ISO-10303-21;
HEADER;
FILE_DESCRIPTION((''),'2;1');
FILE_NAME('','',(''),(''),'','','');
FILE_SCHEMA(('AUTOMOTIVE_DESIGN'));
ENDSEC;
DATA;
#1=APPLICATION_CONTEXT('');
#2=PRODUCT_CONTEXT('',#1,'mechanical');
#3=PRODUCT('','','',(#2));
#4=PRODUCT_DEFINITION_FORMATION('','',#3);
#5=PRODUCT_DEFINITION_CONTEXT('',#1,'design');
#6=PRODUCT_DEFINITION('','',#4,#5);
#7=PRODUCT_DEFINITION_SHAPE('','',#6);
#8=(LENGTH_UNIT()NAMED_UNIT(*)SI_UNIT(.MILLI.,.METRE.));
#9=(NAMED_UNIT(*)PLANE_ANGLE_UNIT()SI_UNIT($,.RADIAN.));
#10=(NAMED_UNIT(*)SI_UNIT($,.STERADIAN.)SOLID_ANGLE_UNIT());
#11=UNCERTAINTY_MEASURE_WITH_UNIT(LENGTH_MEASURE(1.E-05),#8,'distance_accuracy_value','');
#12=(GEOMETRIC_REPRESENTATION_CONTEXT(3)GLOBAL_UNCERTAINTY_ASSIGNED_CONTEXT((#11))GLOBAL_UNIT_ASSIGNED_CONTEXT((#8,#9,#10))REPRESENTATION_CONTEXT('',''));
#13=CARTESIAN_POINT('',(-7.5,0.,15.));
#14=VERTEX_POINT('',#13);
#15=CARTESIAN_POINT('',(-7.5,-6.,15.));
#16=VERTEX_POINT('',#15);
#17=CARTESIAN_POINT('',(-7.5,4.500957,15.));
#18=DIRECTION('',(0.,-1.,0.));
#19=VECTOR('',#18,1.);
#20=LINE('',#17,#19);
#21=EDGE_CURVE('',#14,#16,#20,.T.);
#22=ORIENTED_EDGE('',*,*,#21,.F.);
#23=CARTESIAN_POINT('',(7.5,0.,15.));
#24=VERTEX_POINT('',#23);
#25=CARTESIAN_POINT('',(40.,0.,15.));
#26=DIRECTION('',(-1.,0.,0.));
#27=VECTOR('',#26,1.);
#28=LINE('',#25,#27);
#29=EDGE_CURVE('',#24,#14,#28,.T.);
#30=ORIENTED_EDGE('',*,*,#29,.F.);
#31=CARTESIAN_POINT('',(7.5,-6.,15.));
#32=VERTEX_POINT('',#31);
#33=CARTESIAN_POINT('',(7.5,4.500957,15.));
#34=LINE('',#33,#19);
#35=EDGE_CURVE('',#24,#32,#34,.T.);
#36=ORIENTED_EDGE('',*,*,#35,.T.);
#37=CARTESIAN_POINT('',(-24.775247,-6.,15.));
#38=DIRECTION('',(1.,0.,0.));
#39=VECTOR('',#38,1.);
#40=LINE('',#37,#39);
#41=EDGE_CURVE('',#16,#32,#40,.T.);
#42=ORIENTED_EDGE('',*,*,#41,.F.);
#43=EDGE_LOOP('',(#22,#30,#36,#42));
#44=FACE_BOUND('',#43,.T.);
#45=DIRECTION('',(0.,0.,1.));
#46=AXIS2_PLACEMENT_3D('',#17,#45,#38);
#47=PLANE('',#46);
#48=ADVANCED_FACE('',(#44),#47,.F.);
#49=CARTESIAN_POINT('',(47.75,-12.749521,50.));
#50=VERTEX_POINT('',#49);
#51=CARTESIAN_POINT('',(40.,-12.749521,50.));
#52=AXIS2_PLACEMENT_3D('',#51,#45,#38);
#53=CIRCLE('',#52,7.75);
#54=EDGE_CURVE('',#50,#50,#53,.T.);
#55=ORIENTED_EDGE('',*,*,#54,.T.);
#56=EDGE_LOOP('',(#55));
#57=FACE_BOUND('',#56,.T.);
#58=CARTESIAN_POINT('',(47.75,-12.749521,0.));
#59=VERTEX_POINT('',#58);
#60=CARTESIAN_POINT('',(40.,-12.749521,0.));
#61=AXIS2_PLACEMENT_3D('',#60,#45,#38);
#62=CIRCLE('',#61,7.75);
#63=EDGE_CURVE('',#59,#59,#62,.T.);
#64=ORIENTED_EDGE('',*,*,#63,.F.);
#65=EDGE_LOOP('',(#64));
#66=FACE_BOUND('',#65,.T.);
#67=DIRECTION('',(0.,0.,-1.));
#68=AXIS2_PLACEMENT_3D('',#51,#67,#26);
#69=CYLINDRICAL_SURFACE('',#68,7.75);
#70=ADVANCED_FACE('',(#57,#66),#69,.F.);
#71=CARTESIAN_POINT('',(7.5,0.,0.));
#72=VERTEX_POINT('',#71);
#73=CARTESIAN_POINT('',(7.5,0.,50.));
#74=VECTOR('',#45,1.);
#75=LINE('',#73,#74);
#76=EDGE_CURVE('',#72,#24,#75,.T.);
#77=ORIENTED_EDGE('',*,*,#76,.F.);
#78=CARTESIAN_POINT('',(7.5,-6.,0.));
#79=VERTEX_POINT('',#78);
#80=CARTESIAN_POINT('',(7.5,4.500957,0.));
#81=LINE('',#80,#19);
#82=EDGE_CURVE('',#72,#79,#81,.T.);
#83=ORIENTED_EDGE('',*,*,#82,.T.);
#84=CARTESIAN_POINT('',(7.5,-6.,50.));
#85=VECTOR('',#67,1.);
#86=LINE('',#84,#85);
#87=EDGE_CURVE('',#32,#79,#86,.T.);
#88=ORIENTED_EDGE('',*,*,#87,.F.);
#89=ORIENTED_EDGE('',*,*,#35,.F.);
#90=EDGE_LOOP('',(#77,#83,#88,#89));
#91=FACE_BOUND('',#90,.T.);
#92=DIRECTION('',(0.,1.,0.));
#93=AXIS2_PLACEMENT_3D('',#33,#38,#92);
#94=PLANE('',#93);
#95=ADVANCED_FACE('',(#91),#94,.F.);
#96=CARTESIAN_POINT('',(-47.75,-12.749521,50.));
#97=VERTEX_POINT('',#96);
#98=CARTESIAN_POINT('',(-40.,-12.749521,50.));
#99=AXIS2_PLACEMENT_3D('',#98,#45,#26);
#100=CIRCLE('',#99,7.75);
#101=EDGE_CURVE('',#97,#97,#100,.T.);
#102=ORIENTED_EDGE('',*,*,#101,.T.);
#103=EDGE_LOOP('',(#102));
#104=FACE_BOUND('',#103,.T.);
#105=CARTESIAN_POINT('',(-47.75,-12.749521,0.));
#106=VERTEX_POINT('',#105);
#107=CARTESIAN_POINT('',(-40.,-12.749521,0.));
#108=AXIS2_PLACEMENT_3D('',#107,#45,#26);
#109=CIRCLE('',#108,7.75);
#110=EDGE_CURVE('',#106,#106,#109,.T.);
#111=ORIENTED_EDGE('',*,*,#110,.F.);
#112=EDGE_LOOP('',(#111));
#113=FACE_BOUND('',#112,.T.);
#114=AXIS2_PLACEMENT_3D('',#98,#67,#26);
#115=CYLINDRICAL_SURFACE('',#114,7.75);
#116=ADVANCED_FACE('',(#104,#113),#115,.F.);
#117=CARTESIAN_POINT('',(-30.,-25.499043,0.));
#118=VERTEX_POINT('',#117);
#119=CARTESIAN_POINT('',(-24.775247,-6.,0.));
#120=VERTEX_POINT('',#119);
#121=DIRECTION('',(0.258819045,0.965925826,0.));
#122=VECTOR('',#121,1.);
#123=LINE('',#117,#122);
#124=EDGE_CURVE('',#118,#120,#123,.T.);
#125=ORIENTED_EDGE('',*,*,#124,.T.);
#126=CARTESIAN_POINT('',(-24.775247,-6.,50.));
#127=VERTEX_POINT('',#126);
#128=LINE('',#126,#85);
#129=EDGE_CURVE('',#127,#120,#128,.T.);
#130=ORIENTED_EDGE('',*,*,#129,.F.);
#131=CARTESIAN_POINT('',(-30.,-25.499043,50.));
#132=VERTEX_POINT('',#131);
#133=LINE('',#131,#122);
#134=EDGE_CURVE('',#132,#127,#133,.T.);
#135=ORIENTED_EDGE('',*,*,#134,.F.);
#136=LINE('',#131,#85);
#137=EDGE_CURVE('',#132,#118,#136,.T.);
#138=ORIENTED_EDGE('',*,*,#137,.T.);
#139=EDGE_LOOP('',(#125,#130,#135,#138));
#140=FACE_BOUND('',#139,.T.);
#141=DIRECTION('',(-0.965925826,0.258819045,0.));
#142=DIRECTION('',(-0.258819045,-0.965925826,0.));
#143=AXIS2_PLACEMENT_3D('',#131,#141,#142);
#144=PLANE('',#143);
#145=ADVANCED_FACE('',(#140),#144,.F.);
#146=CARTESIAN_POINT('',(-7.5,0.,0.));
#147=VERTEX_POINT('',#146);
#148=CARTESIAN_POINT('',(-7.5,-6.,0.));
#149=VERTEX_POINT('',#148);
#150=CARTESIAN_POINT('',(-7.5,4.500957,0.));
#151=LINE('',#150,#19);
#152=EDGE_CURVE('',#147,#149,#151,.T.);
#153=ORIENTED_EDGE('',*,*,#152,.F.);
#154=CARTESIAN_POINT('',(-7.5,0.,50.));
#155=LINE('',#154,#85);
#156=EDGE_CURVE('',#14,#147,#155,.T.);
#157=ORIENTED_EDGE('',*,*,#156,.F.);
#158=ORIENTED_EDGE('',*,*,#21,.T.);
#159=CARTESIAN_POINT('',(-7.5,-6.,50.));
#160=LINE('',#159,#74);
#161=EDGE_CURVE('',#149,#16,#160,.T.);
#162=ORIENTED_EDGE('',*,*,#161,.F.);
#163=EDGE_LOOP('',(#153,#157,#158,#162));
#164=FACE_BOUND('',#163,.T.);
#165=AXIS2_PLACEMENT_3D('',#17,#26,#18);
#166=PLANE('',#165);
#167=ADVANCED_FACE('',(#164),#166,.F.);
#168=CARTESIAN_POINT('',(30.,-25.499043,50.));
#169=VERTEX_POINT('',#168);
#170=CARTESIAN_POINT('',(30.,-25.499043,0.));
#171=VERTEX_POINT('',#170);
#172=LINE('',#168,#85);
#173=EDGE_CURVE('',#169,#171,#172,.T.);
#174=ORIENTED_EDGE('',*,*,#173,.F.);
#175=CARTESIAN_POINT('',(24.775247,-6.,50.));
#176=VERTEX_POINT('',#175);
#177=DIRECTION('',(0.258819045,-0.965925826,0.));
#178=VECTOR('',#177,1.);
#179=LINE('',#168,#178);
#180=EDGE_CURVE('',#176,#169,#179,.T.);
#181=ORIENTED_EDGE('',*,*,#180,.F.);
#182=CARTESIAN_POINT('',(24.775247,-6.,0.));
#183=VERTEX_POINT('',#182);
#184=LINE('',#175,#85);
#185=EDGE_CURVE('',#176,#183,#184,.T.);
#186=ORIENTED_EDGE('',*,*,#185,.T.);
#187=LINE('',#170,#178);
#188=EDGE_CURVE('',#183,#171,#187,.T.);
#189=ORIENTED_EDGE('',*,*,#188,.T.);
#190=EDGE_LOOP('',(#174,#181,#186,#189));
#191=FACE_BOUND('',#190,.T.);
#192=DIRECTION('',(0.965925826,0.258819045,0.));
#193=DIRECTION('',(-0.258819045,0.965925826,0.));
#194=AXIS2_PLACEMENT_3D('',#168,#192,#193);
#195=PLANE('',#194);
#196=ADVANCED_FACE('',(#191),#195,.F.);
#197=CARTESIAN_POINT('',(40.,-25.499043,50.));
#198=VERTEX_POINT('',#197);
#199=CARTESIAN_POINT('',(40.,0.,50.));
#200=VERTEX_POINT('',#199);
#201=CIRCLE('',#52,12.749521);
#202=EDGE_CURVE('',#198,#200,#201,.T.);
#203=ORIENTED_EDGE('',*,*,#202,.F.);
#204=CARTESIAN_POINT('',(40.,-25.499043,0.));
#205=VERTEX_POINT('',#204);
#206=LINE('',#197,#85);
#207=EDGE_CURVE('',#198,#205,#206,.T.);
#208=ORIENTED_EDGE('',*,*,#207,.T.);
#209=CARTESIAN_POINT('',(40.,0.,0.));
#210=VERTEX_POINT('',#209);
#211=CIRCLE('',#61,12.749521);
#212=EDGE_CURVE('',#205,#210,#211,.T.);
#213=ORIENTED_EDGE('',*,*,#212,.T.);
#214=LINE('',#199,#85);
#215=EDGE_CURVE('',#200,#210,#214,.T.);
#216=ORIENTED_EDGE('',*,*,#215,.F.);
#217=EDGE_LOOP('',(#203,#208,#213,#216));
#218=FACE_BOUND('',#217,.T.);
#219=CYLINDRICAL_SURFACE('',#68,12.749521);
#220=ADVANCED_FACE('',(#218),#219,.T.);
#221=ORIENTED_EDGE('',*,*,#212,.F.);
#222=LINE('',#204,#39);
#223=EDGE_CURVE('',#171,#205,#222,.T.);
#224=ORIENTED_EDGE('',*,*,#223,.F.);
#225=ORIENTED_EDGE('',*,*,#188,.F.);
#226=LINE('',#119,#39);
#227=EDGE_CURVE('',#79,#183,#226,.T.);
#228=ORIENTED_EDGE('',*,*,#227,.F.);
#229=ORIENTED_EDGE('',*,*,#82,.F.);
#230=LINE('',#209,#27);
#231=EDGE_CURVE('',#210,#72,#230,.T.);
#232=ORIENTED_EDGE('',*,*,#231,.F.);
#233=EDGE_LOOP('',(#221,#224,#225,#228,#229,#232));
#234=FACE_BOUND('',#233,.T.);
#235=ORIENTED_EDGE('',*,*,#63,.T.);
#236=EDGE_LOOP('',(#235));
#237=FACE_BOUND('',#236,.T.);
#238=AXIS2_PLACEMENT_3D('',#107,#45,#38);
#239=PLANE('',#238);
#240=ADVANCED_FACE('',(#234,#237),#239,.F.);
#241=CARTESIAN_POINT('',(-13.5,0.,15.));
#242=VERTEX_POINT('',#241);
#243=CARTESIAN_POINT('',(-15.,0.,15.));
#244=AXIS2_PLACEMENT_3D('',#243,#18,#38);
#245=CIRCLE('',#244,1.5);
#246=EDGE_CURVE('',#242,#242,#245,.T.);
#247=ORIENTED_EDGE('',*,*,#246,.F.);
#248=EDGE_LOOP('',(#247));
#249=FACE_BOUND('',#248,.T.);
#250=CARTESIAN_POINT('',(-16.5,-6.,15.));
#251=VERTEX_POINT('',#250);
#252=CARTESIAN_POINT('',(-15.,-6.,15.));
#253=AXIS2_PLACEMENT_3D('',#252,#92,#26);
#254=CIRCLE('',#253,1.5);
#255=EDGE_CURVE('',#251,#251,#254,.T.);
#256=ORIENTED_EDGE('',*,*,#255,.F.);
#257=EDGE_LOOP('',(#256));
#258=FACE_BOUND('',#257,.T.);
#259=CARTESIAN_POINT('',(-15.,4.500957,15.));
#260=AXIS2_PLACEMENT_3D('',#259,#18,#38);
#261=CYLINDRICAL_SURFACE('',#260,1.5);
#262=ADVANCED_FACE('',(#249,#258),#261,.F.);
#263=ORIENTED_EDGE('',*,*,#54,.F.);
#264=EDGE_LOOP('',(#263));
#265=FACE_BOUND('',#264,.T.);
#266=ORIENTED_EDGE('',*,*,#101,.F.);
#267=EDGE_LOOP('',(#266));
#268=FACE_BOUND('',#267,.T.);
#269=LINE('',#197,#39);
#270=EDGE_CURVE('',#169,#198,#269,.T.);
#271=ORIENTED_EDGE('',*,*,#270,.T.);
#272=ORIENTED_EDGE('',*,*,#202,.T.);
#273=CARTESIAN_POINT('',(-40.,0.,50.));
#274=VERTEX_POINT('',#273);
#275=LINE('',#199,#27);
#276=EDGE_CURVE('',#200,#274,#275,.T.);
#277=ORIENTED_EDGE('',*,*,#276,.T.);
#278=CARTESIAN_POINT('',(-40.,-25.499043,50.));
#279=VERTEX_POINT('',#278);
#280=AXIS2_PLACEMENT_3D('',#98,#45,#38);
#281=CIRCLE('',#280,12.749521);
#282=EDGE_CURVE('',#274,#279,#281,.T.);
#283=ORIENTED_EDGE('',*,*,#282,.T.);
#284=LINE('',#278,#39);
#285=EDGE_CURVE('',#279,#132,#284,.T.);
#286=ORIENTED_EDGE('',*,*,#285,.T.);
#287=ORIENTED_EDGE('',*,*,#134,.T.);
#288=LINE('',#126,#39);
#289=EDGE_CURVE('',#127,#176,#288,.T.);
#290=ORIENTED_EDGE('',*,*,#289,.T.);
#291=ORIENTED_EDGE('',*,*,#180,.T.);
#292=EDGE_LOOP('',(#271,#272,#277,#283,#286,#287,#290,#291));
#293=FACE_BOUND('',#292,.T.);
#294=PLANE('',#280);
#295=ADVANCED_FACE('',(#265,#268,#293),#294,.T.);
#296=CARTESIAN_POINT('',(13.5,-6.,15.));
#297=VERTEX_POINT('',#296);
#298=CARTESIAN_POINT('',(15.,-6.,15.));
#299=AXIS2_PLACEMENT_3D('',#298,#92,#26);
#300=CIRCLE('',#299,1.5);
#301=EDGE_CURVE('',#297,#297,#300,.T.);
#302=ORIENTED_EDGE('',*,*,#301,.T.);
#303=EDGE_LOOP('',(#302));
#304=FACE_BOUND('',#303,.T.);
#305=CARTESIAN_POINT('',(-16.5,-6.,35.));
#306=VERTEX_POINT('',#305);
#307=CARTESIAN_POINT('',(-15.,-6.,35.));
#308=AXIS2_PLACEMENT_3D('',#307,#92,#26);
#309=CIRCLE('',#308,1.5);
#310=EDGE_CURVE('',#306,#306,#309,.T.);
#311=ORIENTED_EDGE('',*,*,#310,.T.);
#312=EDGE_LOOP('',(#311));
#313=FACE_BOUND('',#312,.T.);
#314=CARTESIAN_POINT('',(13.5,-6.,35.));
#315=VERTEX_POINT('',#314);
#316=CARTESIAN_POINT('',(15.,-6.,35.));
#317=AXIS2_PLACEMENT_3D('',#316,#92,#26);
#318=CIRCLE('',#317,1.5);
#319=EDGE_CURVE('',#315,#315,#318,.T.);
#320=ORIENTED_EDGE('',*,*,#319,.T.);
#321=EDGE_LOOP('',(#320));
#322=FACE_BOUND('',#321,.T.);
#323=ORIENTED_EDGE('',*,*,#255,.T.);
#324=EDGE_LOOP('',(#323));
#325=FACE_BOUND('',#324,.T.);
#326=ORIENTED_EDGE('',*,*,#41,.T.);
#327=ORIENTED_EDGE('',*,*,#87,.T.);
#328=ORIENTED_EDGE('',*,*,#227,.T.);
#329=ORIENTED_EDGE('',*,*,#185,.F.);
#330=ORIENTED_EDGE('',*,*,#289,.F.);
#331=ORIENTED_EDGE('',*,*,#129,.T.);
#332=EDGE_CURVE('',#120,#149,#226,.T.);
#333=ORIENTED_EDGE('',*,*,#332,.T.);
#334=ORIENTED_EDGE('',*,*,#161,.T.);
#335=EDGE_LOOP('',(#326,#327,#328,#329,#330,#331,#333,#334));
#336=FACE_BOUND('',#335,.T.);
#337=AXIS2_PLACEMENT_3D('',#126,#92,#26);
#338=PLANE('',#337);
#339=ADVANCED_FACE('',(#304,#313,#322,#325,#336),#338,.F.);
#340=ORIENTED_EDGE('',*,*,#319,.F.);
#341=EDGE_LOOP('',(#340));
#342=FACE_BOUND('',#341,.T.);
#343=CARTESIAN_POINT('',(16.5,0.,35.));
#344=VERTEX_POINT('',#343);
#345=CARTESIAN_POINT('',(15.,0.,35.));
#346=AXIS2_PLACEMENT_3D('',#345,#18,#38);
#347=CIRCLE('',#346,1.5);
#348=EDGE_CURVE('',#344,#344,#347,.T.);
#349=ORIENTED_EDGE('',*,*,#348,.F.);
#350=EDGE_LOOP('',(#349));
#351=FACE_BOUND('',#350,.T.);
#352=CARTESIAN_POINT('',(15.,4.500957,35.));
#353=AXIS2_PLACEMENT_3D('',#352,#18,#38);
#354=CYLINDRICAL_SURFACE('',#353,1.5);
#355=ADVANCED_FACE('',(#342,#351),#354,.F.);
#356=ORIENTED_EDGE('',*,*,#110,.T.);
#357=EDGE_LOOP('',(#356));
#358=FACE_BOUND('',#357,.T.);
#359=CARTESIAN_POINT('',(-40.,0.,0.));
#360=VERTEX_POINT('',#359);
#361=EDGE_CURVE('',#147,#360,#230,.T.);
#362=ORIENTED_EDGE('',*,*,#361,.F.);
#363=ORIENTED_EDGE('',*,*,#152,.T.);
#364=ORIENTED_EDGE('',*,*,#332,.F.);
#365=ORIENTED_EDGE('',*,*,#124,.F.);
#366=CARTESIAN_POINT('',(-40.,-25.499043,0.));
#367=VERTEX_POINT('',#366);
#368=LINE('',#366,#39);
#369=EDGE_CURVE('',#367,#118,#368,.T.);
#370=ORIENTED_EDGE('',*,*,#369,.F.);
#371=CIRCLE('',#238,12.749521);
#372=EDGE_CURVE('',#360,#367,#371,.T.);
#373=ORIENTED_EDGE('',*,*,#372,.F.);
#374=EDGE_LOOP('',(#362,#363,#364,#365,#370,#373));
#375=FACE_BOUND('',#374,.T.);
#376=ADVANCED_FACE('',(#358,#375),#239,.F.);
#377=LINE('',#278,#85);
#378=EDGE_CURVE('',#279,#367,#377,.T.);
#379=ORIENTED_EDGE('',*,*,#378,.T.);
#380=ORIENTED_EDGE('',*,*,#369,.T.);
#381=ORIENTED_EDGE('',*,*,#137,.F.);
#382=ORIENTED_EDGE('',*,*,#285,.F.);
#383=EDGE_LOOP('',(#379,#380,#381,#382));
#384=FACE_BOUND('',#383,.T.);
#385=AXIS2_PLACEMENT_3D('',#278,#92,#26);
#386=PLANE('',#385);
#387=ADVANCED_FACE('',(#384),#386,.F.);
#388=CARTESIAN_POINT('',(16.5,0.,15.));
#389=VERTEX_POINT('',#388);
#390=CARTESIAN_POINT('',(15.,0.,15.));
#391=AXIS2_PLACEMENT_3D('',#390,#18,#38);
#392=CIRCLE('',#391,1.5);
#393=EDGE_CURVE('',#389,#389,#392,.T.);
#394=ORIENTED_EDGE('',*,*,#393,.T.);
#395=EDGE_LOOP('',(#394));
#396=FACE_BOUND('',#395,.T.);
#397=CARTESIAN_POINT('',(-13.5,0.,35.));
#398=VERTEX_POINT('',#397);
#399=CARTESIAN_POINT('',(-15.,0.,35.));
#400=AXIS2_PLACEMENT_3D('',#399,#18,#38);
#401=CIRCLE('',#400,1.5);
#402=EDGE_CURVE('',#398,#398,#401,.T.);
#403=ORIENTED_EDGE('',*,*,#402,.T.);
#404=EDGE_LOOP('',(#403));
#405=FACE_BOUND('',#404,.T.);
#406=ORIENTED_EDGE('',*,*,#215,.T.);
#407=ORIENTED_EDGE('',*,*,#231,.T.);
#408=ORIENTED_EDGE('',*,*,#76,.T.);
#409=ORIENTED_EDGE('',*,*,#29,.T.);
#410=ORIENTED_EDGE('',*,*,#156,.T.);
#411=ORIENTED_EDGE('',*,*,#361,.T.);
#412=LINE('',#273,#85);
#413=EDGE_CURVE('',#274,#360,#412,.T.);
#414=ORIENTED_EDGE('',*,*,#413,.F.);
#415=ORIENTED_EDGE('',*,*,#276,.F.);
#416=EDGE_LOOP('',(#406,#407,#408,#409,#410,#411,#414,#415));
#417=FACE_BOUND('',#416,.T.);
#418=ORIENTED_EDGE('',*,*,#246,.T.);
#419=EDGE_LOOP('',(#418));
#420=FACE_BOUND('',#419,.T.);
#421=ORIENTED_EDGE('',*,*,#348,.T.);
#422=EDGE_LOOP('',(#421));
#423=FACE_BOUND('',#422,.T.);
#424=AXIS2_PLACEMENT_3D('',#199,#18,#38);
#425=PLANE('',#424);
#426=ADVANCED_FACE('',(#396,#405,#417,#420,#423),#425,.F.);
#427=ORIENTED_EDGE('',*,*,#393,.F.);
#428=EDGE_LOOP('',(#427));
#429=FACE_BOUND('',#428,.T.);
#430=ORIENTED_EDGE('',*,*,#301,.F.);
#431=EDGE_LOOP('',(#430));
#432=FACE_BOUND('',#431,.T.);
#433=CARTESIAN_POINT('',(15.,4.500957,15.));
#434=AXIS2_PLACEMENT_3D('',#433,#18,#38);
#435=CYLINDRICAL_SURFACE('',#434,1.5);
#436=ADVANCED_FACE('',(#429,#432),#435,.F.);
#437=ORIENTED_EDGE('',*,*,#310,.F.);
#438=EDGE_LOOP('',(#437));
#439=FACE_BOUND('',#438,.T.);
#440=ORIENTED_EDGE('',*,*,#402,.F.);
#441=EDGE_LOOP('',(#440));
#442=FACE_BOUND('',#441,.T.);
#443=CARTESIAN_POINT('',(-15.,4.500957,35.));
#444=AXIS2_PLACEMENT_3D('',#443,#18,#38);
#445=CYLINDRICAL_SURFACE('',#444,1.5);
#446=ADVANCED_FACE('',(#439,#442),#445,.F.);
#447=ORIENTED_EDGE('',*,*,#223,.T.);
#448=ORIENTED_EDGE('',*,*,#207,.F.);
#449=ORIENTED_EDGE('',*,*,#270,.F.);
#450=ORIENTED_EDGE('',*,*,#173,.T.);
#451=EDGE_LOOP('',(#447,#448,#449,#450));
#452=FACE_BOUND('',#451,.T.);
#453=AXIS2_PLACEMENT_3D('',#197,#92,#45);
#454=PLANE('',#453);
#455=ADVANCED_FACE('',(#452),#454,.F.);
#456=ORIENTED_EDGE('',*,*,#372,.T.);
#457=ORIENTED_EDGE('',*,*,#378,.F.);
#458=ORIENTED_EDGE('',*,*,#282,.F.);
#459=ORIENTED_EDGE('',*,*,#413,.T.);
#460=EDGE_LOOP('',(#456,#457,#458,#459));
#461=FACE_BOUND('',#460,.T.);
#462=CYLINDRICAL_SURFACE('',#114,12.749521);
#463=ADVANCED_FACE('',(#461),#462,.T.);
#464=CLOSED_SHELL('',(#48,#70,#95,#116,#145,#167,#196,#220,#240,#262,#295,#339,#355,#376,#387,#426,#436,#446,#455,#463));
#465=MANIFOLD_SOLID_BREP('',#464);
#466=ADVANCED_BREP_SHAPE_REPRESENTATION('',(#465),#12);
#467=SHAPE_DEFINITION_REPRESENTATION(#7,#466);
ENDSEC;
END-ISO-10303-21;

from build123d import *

# Parameters (mm, degrees)
ESBO_O1_R                = 7.75
RESSALTO_EXTRUS_O1_DEPTH = 50
ESBO_O2_R                = 1.5
ESBO_O2_W                = 15
ESBO_O2_H                = 15
CORTE_EXTRUS_O1_DEPTH    = 30


with BuildPart() as part:
    # Esboço1 → Ressalto-extrusão1 (new body)
    with BuildSketch(Plane.XY):
        with BuildLine():
            Line((40, 0), (-40, 0))
            ThreePointArc((-40, 0), (-52.749521473, -12.749521473), (-40, -25.499042945))
            Line((-40, -25.499042945), (-30, -25.499042945))
            Line((-30, -25.499042945), (-24.77524719, -6))
            Line((-24.77524719, -6), (24.77524719, -6))
            Line((24.77524719, -6), (30, -25.499042945))
            Line((30, -25.499042945), (40, -25.499042945))
            ThreePointArc((40, -25.499042945), (52.749521473, -12.749521473), (40, 0))
        make_face()
        with Locations(Location((-40, -12.749521473, 0), (0, 0, 180))):
            Circle(ESBO_O1_R, mode=Mode.SUBTRACT)
        with Locations((40, -12.749521473)):
            Circle(ESBO_O1_R, mode=Mode.SUBTRACT)
    extrude(amount=RESSALTO_EXTRUS_O1_DEPTH)

    # Esboço2 → Corte-extrusão1 (cut)
    with BuildSketch(Plane.XZ.offset(25.499042945)):
        with Locations((15, 35)):
            Circle(ESBO_O2_R)
        with Locations((15, 15)):
            Circle(ESBO_O2_R)
        with Locations((-15, 15)):
            Circle(ESBO_O2_R)
        with Locations((-15, 35)):
            Circle(ESBO_O2_R)
        with Locations((0, 7.5)):
            Rectangle(ESBO_O2_W, ESBO_O2_H)
    extrude(amount=-CORTE_EXTRUS_O1_DEPTH, mode=Mode.SUBTRACT)


solid = part.part
